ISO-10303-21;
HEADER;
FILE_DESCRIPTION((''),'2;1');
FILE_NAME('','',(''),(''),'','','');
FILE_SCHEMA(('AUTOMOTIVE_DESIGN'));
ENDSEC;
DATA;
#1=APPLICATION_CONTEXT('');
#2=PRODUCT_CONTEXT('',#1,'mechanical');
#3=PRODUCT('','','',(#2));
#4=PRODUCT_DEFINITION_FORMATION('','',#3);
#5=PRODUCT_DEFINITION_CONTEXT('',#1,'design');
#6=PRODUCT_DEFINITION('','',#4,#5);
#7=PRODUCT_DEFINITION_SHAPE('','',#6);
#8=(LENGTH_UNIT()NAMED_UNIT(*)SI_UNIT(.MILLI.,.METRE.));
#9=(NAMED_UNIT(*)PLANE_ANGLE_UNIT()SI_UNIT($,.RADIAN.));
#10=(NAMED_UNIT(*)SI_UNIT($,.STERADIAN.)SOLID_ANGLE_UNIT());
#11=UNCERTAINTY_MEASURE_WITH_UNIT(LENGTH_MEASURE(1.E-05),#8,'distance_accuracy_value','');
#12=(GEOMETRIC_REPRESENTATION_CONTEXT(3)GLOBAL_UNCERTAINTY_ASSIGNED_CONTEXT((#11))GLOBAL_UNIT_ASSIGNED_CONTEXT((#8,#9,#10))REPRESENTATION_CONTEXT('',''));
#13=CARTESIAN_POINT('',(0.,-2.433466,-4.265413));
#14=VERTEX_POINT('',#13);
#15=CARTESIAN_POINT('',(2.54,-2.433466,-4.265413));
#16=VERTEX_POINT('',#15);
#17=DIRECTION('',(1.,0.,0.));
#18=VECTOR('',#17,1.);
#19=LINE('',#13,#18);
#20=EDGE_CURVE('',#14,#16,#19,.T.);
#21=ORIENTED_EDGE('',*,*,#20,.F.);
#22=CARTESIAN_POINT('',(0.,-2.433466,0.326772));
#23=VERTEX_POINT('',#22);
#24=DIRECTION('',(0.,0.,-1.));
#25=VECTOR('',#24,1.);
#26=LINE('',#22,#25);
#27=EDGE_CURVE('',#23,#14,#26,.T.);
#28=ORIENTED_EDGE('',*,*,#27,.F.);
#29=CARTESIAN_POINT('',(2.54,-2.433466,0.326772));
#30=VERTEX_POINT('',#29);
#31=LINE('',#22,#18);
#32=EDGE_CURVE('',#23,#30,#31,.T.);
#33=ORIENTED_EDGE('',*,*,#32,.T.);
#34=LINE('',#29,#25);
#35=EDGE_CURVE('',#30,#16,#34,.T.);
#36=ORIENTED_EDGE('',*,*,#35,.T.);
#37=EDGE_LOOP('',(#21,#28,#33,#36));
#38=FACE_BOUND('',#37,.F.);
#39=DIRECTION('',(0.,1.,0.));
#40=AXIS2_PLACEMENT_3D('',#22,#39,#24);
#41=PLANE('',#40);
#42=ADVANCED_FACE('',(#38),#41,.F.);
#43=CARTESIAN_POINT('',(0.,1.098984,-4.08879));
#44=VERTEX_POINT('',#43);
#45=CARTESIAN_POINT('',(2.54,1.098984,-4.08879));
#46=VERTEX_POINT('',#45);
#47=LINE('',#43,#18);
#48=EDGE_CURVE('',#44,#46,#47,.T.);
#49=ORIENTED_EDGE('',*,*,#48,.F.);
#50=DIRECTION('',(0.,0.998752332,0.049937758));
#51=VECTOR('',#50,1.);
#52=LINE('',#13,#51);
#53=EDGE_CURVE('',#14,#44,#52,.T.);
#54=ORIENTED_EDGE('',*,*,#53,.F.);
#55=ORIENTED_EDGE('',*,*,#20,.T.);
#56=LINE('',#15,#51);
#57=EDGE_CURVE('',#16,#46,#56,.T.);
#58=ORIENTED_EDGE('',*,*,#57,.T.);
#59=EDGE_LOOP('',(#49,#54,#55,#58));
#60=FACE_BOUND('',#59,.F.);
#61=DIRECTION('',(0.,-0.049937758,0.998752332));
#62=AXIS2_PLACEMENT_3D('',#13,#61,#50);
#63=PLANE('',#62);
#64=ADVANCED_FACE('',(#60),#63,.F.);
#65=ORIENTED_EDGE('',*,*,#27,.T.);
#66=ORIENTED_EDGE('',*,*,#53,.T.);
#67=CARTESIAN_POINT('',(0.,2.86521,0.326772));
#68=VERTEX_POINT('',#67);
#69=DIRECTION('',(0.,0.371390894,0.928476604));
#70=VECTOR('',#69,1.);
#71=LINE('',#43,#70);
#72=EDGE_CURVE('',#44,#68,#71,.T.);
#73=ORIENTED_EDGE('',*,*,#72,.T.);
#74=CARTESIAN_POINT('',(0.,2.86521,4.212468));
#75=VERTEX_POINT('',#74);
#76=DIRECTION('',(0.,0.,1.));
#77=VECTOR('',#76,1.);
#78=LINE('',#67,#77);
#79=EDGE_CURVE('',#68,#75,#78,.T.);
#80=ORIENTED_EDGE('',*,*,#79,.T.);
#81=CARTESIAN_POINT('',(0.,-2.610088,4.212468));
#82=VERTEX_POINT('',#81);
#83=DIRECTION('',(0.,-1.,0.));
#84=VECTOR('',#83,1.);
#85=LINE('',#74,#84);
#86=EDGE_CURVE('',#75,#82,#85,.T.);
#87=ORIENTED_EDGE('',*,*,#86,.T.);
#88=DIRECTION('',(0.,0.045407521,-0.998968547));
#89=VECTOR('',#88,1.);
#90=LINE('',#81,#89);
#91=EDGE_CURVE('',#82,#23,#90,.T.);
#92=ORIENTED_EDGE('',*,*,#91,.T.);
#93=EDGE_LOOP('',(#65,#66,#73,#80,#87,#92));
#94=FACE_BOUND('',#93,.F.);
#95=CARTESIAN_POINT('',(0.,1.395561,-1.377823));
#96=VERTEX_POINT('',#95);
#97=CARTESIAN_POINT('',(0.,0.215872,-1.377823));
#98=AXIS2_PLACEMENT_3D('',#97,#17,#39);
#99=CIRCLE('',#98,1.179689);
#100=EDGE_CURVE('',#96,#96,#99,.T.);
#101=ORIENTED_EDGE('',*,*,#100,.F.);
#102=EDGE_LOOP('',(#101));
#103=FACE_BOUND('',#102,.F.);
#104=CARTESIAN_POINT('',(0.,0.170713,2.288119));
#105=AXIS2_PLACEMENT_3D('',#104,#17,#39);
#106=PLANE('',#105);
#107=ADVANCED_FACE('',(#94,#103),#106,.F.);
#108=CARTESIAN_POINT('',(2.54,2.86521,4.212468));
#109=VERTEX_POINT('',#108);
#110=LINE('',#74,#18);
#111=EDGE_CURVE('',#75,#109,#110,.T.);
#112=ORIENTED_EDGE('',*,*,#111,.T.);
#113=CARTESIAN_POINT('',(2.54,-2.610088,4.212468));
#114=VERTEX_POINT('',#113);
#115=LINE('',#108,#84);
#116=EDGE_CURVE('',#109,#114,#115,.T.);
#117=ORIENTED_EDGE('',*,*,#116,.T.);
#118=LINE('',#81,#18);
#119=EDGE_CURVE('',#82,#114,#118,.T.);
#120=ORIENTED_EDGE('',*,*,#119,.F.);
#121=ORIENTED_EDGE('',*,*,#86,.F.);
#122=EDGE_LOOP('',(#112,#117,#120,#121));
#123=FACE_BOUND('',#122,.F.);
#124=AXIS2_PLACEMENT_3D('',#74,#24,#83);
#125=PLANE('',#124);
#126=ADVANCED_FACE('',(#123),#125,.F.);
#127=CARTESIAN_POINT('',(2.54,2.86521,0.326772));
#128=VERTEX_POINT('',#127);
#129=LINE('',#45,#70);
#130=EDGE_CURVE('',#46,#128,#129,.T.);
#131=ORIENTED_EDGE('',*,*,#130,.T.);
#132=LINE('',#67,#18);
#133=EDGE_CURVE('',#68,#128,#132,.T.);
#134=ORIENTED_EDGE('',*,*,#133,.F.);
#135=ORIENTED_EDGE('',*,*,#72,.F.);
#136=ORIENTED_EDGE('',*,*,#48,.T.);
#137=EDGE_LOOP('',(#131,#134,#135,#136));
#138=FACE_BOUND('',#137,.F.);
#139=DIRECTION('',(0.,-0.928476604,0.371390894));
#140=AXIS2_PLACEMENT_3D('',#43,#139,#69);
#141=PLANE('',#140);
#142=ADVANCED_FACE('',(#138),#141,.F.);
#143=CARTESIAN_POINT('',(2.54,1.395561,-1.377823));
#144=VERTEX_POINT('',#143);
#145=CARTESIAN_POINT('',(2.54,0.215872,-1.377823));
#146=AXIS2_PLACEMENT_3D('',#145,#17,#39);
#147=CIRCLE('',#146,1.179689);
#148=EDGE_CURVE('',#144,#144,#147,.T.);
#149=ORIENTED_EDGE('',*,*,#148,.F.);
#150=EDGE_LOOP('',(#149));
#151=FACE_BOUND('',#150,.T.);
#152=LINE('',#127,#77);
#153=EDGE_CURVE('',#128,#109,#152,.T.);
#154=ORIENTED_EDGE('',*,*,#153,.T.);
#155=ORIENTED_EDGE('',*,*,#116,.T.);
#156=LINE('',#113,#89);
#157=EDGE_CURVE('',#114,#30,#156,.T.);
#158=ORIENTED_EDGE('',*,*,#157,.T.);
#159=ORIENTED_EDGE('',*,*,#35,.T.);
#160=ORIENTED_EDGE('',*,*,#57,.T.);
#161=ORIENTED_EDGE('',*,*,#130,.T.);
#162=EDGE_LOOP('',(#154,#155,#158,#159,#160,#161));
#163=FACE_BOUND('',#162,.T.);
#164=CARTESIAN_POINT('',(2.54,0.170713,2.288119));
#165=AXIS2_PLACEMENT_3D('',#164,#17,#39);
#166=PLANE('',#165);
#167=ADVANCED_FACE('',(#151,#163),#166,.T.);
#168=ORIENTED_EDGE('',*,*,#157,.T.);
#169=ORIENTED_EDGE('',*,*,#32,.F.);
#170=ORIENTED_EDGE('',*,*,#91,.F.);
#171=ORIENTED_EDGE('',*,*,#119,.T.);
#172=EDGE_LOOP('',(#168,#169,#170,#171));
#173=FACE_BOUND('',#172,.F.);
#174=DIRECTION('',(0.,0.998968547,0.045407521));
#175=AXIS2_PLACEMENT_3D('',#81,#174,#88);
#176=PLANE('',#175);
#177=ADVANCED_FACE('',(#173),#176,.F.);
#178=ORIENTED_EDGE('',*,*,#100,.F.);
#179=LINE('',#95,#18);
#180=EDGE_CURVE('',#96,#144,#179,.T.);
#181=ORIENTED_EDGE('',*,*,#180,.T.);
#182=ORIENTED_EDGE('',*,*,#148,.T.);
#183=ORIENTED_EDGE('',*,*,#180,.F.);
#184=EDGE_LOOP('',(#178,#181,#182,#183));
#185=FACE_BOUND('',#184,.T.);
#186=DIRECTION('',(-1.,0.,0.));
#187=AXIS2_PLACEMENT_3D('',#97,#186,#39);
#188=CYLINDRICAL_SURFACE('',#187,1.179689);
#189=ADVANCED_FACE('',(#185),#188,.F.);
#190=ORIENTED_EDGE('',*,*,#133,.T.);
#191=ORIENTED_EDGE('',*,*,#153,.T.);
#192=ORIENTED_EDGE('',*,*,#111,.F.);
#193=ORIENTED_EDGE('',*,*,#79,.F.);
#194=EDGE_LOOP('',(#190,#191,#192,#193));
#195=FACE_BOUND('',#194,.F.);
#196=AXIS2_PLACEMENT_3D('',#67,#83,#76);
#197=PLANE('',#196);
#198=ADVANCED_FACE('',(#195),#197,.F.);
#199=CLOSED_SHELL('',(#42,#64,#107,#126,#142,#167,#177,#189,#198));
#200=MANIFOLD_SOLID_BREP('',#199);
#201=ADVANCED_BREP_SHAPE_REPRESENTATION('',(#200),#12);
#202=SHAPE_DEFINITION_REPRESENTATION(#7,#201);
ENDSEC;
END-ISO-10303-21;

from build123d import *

# Parameters (mm, degrees)
F0_R     = 1.179689
F1_DEPTH = 2.54


with BuildPart() as f1:
    # F0 (on Right) → F1 (new body)
    with BuildSketch(Plane.YZ):
        Polygon((2.86521, 4.212468), (-2.610088, 4.212468), (-2.433466, 0.326772), (2.86521, 0.326772), align=None)
        Polygon((2.86521, 0.326772), (-2.433466, 0.326772), (-2.433466, -4.265413), (1.098984, -4.08879), align=None)
        with Locations((0.215872, -1.377823)):
            Circle(F0_R, mode=Mode.SUBTRACT)
    extrude(amount=F1_DEPTH)


solid = f1.part
